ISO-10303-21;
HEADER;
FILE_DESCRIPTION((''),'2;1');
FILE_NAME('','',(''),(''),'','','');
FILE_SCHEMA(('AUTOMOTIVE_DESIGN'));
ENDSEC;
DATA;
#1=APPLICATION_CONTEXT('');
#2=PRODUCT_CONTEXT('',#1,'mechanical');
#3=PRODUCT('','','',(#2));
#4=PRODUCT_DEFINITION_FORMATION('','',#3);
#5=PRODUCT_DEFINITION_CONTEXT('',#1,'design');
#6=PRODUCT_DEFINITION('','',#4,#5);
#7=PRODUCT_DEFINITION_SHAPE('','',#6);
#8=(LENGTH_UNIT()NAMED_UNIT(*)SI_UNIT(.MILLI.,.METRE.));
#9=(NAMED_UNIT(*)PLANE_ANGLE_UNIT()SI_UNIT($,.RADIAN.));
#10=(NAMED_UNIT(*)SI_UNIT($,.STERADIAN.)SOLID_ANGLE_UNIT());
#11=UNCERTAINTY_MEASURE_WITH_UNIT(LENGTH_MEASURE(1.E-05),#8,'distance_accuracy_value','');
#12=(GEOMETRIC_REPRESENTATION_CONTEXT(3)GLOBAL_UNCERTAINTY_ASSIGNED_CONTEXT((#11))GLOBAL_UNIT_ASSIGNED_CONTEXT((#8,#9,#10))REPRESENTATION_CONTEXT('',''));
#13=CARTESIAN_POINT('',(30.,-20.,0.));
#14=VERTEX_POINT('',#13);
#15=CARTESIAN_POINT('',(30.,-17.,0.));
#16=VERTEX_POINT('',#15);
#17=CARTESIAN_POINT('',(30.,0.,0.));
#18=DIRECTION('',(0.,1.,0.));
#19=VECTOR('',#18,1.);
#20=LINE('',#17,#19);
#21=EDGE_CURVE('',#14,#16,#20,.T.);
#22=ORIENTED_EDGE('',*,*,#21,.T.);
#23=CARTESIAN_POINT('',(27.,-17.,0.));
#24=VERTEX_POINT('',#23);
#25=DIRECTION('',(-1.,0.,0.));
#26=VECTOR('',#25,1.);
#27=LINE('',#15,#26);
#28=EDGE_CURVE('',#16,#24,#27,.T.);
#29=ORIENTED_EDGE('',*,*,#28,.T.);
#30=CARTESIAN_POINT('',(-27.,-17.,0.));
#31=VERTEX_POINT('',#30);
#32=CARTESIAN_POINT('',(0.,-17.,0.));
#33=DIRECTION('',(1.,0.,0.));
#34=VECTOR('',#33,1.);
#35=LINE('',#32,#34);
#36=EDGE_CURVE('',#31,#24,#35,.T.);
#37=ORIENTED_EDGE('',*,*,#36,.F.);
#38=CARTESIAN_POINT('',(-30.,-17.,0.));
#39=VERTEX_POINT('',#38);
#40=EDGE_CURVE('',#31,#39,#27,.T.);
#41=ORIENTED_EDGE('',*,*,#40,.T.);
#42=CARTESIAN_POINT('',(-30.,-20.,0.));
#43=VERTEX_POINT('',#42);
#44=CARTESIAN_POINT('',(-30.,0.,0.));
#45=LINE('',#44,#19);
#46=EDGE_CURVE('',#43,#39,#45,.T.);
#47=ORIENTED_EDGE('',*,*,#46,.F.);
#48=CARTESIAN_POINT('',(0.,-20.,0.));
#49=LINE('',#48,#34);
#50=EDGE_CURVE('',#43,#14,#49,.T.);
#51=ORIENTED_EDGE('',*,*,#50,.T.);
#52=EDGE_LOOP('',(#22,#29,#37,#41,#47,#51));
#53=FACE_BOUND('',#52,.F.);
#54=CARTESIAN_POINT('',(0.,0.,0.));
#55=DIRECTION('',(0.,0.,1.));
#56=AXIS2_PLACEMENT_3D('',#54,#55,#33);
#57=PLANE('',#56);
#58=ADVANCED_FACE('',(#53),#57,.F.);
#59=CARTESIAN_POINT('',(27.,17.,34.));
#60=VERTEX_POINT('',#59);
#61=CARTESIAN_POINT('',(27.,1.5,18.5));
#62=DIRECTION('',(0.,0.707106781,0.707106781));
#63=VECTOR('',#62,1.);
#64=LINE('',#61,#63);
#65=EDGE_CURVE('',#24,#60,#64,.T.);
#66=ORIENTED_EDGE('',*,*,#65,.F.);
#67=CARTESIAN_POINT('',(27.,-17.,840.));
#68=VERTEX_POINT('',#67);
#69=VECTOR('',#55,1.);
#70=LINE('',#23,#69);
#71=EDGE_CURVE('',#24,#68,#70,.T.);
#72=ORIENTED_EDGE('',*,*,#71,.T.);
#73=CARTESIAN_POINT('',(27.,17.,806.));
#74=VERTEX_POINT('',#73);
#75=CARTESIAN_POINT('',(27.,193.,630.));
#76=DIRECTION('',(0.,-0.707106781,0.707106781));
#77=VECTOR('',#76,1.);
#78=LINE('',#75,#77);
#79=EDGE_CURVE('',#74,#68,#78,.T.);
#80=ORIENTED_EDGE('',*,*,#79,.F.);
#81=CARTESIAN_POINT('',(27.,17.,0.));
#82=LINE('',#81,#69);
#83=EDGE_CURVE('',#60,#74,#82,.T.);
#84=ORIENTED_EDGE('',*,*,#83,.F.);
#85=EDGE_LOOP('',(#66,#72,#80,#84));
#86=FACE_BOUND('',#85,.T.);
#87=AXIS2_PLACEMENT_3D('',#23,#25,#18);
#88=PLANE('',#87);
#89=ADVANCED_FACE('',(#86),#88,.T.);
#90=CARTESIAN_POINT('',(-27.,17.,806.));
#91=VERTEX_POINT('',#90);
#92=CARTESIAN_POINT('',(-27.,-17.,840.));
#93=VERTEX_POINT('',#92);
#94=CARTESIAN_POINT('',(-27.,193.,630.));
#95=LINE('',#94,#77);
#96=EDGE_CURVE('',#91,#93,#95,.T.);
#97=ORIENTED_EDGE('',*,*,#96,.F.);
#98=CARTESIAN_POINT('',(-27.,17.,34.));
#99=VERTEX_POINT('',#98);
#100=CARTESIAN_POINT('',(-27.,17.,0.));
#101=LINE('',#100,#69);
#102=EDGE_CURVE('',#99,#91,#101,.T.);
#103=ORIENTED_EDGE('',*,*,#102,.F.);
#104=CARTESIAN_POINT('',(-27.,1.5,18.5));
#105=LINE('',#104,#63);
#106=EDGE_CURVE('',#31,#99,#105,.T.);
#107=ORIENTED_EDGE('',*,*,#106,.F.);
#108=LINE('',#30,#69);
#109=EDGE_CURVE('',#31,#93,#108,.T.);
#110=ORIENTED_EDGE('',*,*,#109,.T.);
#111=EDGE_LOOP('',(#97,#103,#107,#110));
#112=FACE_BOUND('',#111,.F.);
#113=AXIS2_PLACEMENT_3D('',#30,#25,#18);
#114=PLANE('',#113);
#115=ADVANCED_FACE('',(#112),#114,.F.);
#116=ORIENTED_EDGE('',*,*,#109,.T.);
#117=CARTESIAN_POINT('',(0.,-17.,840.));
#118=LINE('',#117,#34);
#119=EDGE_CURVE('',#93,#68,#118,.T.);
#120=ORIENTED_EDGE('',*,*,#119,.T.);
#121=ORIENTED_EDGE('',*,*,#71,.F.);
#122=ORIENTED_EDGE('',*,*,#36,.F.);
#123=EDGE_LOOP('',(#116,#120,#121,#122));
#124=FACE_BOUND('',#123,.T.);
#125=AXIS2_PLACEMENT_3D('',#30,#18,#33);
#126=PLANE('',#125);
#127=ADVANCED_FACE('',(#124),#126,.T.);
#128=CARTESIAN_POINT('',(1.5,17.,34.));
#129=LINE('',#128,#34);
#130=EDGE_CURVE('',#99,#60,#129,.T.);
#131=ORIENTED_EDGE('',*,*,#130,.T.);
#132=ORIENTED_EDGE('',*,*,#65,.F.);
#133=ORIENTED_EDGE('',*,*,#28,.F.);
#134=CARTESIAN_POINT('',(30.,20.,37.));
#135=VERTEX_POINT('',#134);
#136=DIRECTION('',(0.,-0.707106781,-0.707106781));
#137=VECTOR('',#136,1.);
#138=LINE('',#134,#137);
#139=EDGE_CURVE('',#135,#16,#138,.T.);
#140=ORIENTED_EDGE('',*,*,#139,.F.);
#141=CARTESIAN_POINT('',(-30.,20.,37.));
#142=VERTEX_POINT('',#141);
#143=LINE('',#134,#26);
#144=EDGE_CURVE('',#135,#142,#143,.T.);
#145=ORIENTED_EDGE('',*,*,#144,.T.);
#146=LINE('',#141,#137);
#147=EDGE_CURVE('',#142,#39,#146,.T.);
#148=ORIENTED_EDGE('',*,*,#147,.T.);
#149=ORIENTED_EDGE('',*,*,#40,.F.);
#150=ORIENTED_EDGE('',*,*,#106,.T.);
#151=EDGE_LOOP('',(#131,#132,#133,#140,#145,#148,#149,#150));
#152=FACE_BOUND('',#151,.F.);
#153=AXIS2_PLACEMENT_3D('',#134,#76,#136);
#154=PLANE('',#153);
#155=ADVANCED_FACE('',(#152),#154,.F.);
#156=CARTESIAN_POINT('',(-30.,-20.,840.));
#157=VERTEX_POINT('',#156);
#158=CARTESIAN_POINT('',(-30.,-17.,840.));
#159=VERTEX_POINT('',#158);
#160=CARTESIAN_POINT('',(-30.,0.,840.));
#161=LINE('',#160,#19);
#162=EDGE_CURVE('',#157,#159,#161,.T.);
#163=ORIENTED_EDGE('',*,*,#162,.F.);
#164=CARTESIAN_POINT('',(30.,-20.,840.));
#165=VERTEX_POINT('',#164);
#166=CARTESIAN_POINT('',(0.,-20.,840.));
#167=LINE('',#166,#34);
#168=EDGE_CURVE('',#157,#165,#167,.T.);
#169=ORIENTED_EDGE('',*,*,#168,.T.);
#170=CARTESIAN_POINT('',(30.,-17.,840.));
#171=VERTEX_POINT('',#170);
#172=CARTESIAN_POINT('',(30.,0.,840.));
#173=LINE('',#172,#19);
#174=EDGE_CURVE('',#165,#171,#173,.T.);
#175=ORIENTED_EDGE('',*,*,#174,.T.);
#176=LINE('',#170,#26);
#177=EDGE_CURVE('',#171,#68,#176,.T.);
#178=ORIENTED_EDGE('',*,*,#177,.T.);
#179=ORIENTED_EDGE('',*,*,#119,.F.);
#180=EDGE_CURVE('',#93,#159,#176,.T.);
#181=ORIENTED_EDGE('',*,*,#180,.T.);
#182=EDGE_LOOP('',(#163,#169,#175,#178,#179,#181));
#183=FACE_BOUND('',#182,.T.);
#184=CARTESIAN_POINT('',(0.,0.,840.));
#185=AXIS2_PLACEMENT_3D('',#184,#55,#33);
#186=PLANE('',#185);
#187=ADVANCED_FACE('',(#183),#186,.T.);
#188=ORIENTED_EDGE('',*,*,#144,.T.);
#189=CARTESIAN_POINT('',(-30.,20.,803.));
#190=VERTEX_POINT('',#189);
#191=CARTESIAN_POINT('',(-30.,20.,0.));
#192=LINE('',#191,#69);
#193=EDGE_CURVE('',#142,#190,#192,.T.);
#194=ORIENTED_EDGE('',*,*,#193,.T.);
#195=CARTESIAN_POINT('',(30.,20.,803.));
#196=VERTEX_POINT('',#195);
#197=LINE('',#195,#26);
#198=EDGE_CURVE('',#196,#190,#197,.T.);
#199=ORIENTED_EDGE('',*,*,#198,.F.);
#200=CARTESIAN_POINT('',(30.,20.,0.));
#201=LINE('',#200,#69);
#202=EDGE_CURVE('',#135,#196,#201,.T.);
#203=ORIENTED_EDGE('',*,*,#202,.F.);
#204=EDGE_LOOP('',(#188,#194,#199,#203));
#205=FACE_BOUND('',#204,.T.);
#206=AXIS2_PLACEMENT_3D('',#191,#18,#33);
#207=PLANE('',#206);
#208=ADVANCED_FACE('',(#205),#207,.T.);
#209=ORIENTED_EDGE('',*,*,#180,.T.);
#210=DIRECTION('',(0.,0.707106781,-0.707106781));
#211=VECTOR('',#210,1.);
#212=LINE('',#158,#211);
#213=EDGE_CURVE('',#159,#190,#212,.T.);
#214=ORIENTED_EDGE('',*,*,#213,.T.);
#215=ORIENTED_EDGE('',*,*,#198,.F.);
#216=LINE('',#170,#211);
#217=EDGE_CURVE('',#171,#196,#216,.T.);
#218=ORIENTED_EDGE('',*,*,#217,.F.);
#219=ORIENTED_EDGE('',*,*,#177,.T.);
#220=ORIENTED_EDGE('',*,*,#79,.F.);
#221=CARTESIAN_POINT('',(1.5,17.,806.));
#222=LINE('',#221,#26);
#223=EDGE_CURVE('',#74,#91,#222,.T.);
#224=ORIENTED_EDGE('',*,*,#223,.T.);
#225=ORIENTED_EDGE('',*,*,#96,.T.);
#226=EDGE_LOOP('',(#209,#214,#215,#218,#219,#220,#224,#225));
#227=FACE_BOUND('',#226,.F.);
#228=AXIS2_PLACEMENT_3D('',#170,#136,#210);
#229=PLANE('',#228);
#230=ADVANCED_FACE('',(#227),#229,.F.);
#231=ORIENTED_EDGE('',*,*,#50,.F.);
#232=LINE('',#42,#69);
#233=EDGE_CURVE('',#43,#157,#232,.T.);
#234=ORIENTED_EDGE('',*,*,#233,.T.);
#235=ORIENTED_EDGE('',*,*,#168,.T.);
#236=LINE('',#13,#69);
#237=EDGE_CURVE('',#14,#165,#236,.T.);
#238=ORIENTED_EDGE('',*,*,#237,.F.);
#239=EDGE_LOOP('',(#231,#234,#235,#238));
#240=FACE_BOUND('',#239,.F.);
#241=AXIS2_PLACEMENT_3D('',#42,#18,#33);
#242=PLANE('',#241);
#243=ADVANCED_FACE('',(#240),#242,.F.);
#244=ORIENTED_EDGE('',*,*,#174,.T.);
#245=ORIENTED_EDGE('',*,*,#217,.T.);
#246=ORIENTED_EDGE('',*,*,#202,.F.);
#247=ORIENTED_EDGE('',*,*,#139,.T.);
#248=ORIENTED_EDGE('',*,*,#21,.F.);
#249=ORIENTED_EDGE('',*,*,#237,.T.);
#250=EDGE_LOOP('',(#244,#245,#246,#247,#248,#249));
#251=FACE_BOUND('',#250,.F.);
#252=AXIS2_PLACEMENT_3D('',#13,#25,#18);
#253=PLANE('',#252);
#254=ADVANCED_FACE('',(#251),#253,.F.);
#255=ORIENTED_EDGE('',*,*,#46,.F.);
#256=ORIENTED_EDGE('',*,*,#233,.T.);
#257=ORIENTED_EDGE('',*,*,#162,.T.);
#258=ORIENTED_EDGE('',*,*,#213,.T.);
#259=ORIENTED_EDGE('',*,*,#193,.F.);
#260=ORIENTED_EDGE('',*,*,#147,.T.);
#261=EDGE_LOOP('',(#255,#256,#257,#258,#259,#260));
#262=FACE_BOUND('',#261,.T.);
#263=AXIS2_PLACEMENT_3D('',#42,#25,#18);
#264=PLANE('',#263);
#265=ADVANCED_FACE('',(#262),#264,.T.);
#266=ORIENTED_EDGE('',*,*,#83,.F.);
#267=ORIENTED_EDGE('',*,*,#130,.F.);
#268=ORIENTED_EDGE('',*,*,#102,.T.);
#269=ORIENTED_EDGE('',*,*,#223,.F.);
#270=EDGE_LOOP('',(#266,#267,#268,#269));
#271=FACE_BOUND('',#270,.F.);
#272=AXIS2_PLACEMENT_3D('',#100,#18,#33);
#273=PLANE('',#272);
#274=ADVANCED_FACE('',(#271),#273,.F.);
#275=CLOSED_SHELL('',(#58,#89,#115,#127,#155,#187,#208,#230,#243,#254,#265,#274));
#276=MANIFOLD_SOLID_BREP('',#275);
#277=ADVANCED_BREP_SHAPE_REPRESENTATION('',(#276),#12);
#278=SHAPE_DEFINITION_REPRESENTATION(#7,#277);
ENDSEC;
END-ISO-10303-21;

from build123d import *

# Parameters (mm, degrees)
F0_W     = 60
F0_H     = 40
F0_W_2   = 54
F0_H_2   = 34
F1_DEPTH = 840
F3_DEPTH = 60
F4_DEPTH = 60


with BuildPart() as f1:
    # F0 (on Top) → F1 (new body)
    with BuildSketch(Plane.XY):
        Rectangle(F0_W, F0_H)
        Rectangle(F0_W_2, F0_H_2, mode=Mode.SUBTRACT)
    extrude(amount=F1_DEPTH)

    # F2 (on face) → F3 (cut)
    with BuildSketch(Plane.YZ.offset(30)):
        Polygon((20, 840), (-17, 840), (20, 803), align=None)
        Polygon((-17, 0), (20, 0), (20, 37), align=None)
    extrude(amount=-F3_DEPTH, mode=Mode.SUBTRACT)

    # F2 (on face) → F4 (cut)
    with BuildSketch(Plane.YZ.offset(30)):
        Polygon((20, 0), (20, 37), (-17, 0), align=None)
    extrude(amount=-F4_DEPTH, mode=Mode.SUBTRACT)


solid = f1.part
